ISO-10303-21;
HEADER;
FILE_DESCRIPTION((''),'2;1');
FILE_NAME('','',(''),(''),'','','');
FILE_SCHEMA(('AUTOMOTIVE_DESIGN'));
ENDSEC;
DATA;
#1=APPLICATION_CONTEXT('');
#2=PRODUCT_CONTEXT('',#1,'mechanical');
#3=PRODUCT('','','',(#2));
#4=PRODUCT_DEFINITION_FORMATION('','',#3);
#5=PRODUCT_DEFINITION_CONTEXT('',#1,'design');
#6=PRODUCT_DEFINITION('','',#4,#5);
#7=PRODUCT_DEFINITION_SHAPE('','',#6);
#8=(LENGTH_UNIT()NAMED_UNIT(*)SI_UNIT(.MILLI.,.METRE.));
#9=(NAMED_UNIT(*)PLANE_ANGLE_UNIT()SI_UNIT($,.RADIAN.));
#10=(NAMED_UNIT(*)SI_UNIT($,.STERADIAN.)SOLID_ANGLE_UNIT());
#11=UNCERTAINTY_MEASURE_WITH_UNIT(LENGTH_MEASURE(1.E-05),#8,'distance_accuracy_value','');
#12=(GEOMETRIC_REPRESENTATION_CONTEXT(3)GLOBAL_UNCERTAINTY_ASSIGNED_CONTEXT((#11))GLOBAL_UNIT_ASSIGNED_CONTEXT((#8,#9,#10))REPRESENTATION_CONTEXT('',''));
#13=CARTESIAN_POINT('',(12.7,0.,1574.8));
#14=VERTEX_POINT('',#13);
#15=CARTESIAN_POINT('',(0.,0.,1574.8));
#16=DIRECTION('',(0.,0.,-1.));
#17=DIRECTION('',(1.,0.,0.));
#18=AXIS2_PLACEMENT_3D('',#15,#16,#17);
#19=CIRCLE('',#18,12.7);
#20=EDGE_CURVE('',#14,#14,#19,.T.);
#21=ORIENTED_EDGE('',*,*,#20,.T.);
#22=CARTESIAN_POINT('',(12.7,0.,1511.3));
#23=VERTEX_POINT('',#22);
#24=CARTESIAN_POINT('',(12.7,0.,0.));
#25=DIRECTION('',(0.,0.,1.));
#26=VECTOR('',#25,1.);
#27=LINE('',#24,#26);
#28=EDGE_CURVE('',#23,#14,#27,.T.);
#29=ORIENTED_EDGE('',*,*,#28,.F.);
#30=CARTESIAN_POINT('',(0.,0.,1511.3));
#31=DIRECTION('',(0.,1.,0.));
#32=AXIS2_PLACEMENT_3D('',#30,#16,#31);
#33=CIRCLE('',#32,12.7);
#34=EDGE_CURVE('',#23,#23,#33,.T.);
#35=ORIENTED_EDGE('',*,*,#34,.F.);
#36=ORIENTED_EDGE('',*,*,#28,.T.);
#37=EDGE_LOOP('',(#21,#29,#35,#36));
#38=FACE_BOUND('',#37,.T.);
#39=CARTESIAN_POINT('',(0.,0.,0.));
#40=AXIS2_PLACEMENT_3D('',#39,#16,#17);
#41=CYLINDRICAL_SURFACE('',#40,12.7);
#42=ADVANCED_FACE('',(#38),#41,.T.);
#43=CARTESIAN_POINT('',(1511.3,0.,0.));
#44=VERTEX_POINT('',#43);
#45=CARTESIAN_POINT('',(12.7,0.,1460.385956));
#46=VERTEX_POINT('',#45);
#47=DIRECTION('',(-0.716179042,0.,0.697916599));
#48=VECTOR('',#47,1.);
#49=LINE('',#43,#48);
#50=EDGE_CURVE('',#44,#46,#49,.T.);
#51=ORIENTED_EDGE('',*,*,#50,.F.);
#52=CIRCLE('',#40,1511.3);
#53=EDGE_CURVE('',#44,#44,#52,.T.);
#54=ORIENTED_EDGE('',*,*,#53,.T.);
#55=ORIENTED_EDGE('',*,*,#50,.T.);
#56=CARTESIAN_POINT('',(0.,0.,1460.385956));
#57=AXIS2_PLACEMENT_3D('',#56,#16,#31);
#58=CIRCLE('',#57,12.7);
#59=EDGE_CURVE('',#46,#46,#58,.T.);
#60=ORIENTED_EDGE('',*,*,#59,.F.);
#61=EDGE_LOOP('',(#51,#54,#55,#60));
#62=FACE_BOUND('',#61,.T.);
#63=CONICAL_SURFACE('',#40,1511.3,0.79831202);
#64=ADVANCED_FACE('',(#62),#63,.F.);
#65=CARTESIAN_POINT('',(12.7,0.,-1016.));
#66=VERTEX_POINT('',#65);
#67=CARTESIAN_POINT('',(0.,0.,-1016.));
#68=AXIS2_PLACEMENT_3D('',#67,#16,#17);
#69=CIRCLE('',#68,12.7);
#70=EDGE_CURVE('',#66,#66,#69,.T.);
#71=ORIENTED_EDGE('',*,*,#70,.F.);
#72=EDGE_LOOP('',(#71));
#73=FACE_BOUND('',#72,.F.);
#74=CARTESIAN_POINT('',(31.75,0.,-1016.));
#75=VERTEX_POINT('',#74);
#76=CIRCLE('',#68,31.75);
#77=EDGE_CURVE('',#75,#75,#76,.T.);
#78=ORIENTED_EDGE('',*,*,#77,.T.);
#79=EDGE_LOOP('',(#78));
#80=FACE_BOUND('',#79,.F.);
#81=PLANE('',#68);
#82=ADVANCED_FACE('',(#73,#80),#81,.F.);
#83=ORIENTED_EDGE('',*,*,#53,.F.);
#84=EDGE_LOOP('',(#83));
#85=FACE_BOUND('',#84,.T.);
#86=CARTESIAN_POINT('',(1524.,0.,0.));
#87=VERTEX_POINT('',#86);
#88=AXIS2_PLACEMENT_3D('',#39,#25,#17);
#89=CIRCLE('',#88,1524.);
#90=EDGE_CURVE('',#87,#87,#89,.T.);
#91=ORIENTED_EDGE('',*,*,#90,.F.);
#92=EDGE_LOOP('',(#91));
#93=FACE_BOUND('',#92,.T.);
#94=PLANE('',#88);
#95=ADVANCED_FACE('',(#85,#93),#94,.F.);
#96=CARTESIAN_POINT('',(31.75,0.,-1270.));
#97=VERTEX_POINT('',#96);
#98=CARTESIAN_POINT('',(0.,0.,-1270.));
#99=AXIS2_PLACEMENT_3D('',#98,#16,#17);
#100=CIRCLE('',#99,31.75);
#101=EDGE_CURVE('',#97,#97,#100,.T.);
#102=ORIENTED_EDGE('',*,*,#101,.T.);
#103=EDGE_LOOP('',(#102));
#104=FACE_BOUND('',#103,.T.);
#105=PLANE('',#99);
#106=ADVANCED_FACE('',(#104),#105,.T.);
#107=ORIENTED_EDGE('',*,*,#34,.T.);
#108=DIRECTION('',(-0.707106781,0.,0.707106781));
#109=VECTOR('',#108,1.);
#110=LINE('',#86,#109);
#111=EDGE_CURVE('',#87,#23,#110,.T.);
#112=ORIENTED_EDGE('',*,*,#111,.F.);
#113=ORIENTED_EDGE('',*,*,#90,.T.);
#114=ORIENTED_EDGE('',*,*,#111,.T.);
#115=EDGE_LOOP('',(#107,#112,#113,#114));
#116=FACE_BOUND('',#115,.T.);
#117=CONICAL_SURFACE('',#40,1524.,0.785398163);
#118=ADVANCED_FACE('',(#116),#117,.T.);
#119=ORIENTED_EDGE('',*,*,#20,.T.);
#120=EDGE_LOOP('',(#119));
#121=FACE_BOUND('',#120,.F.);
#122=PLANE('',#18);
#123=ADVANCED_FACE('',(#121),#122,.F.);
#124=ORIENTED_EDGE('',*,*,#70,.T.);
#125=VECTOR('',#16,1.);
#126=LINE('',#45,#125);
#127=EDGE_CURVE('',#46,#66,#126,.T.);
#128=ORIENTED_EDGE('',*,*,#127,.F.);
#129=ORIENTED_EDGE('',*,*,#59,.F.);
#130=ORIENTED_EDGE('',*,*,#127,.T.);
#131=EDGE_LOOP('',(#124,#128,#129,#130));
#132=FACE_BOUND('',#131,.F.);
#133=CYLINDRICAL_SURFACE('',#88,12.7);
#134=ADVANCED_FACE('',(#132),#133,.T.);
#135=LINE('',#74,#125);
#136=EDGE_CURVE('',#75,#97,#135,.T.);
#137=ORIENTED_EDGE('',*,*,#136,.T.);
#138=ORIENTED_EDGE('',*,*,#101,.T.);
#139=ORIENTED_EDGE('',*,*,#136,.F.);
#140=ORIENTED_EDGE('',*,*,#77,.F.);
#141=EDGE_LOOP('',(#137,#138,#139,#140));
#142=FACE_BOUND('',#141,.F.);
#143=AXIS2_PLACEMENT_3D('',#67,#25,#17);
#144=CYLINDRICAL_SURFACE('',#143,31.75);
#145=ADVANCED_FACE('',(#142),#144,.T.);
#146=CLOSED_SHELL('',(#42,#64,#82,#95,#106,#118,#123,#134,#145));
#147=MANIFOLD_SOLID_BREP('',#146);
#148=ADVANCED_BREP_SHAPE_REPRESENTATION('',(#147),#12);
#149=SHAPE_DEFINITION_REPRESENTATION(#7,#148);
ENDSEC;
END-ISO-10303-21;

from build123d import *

# Parameters (mm, degrees)
F4_R          = 12.7
F5_DEPTH      = 1574.8
F5_DEPTH_BACK = 1016
F6_R          = 31.75
F7_DEPTH      = 254


with BuildPart() as f1:
    # F0 (on Front) → F1 (revolve)
    with BuildSketch(Plane.XZ):
        Polygon((0, 1524), (0, 0), (1524, 0), align=None)
    revolve(axis=Axis((0, 0, 762), (0, 0, 1)))

    # F2 (on Front) → F3 (revolve, cut)
    with BuildSketch(Plane.XZ):
        Polygon((0, 1472.7621078491), (0, 0), (1511.3, 0), align=None)
    revolve(axis=Axis((0, 0, 736.3810539246), (0, 0, -1)), mode=Mode.SUBTRACT)

    # F4 (on face) → F5 (join, two sides)
    with BuildSketch(Plane(origin=(0, 0, 0), x_dir=(1, 0, 0), z_dir=(0, 0, -1))) as f5_sk:
        Circle(F4_R)
    extrude(amount=-F5_DEPTH)
    extrude(f5_sk.sketch, amount=F5_DEPTH_BACK)

    # F6 (on face) → F7 (join)
    with BuildSketch(Plane(origin=(0, 0, -1016), x_dir=(1, 0, 0), z_dir=(0, 0, -1))):
        Circle(F6_R)
    extrude(amount=F7_DEPTH)


solid = f1.part
